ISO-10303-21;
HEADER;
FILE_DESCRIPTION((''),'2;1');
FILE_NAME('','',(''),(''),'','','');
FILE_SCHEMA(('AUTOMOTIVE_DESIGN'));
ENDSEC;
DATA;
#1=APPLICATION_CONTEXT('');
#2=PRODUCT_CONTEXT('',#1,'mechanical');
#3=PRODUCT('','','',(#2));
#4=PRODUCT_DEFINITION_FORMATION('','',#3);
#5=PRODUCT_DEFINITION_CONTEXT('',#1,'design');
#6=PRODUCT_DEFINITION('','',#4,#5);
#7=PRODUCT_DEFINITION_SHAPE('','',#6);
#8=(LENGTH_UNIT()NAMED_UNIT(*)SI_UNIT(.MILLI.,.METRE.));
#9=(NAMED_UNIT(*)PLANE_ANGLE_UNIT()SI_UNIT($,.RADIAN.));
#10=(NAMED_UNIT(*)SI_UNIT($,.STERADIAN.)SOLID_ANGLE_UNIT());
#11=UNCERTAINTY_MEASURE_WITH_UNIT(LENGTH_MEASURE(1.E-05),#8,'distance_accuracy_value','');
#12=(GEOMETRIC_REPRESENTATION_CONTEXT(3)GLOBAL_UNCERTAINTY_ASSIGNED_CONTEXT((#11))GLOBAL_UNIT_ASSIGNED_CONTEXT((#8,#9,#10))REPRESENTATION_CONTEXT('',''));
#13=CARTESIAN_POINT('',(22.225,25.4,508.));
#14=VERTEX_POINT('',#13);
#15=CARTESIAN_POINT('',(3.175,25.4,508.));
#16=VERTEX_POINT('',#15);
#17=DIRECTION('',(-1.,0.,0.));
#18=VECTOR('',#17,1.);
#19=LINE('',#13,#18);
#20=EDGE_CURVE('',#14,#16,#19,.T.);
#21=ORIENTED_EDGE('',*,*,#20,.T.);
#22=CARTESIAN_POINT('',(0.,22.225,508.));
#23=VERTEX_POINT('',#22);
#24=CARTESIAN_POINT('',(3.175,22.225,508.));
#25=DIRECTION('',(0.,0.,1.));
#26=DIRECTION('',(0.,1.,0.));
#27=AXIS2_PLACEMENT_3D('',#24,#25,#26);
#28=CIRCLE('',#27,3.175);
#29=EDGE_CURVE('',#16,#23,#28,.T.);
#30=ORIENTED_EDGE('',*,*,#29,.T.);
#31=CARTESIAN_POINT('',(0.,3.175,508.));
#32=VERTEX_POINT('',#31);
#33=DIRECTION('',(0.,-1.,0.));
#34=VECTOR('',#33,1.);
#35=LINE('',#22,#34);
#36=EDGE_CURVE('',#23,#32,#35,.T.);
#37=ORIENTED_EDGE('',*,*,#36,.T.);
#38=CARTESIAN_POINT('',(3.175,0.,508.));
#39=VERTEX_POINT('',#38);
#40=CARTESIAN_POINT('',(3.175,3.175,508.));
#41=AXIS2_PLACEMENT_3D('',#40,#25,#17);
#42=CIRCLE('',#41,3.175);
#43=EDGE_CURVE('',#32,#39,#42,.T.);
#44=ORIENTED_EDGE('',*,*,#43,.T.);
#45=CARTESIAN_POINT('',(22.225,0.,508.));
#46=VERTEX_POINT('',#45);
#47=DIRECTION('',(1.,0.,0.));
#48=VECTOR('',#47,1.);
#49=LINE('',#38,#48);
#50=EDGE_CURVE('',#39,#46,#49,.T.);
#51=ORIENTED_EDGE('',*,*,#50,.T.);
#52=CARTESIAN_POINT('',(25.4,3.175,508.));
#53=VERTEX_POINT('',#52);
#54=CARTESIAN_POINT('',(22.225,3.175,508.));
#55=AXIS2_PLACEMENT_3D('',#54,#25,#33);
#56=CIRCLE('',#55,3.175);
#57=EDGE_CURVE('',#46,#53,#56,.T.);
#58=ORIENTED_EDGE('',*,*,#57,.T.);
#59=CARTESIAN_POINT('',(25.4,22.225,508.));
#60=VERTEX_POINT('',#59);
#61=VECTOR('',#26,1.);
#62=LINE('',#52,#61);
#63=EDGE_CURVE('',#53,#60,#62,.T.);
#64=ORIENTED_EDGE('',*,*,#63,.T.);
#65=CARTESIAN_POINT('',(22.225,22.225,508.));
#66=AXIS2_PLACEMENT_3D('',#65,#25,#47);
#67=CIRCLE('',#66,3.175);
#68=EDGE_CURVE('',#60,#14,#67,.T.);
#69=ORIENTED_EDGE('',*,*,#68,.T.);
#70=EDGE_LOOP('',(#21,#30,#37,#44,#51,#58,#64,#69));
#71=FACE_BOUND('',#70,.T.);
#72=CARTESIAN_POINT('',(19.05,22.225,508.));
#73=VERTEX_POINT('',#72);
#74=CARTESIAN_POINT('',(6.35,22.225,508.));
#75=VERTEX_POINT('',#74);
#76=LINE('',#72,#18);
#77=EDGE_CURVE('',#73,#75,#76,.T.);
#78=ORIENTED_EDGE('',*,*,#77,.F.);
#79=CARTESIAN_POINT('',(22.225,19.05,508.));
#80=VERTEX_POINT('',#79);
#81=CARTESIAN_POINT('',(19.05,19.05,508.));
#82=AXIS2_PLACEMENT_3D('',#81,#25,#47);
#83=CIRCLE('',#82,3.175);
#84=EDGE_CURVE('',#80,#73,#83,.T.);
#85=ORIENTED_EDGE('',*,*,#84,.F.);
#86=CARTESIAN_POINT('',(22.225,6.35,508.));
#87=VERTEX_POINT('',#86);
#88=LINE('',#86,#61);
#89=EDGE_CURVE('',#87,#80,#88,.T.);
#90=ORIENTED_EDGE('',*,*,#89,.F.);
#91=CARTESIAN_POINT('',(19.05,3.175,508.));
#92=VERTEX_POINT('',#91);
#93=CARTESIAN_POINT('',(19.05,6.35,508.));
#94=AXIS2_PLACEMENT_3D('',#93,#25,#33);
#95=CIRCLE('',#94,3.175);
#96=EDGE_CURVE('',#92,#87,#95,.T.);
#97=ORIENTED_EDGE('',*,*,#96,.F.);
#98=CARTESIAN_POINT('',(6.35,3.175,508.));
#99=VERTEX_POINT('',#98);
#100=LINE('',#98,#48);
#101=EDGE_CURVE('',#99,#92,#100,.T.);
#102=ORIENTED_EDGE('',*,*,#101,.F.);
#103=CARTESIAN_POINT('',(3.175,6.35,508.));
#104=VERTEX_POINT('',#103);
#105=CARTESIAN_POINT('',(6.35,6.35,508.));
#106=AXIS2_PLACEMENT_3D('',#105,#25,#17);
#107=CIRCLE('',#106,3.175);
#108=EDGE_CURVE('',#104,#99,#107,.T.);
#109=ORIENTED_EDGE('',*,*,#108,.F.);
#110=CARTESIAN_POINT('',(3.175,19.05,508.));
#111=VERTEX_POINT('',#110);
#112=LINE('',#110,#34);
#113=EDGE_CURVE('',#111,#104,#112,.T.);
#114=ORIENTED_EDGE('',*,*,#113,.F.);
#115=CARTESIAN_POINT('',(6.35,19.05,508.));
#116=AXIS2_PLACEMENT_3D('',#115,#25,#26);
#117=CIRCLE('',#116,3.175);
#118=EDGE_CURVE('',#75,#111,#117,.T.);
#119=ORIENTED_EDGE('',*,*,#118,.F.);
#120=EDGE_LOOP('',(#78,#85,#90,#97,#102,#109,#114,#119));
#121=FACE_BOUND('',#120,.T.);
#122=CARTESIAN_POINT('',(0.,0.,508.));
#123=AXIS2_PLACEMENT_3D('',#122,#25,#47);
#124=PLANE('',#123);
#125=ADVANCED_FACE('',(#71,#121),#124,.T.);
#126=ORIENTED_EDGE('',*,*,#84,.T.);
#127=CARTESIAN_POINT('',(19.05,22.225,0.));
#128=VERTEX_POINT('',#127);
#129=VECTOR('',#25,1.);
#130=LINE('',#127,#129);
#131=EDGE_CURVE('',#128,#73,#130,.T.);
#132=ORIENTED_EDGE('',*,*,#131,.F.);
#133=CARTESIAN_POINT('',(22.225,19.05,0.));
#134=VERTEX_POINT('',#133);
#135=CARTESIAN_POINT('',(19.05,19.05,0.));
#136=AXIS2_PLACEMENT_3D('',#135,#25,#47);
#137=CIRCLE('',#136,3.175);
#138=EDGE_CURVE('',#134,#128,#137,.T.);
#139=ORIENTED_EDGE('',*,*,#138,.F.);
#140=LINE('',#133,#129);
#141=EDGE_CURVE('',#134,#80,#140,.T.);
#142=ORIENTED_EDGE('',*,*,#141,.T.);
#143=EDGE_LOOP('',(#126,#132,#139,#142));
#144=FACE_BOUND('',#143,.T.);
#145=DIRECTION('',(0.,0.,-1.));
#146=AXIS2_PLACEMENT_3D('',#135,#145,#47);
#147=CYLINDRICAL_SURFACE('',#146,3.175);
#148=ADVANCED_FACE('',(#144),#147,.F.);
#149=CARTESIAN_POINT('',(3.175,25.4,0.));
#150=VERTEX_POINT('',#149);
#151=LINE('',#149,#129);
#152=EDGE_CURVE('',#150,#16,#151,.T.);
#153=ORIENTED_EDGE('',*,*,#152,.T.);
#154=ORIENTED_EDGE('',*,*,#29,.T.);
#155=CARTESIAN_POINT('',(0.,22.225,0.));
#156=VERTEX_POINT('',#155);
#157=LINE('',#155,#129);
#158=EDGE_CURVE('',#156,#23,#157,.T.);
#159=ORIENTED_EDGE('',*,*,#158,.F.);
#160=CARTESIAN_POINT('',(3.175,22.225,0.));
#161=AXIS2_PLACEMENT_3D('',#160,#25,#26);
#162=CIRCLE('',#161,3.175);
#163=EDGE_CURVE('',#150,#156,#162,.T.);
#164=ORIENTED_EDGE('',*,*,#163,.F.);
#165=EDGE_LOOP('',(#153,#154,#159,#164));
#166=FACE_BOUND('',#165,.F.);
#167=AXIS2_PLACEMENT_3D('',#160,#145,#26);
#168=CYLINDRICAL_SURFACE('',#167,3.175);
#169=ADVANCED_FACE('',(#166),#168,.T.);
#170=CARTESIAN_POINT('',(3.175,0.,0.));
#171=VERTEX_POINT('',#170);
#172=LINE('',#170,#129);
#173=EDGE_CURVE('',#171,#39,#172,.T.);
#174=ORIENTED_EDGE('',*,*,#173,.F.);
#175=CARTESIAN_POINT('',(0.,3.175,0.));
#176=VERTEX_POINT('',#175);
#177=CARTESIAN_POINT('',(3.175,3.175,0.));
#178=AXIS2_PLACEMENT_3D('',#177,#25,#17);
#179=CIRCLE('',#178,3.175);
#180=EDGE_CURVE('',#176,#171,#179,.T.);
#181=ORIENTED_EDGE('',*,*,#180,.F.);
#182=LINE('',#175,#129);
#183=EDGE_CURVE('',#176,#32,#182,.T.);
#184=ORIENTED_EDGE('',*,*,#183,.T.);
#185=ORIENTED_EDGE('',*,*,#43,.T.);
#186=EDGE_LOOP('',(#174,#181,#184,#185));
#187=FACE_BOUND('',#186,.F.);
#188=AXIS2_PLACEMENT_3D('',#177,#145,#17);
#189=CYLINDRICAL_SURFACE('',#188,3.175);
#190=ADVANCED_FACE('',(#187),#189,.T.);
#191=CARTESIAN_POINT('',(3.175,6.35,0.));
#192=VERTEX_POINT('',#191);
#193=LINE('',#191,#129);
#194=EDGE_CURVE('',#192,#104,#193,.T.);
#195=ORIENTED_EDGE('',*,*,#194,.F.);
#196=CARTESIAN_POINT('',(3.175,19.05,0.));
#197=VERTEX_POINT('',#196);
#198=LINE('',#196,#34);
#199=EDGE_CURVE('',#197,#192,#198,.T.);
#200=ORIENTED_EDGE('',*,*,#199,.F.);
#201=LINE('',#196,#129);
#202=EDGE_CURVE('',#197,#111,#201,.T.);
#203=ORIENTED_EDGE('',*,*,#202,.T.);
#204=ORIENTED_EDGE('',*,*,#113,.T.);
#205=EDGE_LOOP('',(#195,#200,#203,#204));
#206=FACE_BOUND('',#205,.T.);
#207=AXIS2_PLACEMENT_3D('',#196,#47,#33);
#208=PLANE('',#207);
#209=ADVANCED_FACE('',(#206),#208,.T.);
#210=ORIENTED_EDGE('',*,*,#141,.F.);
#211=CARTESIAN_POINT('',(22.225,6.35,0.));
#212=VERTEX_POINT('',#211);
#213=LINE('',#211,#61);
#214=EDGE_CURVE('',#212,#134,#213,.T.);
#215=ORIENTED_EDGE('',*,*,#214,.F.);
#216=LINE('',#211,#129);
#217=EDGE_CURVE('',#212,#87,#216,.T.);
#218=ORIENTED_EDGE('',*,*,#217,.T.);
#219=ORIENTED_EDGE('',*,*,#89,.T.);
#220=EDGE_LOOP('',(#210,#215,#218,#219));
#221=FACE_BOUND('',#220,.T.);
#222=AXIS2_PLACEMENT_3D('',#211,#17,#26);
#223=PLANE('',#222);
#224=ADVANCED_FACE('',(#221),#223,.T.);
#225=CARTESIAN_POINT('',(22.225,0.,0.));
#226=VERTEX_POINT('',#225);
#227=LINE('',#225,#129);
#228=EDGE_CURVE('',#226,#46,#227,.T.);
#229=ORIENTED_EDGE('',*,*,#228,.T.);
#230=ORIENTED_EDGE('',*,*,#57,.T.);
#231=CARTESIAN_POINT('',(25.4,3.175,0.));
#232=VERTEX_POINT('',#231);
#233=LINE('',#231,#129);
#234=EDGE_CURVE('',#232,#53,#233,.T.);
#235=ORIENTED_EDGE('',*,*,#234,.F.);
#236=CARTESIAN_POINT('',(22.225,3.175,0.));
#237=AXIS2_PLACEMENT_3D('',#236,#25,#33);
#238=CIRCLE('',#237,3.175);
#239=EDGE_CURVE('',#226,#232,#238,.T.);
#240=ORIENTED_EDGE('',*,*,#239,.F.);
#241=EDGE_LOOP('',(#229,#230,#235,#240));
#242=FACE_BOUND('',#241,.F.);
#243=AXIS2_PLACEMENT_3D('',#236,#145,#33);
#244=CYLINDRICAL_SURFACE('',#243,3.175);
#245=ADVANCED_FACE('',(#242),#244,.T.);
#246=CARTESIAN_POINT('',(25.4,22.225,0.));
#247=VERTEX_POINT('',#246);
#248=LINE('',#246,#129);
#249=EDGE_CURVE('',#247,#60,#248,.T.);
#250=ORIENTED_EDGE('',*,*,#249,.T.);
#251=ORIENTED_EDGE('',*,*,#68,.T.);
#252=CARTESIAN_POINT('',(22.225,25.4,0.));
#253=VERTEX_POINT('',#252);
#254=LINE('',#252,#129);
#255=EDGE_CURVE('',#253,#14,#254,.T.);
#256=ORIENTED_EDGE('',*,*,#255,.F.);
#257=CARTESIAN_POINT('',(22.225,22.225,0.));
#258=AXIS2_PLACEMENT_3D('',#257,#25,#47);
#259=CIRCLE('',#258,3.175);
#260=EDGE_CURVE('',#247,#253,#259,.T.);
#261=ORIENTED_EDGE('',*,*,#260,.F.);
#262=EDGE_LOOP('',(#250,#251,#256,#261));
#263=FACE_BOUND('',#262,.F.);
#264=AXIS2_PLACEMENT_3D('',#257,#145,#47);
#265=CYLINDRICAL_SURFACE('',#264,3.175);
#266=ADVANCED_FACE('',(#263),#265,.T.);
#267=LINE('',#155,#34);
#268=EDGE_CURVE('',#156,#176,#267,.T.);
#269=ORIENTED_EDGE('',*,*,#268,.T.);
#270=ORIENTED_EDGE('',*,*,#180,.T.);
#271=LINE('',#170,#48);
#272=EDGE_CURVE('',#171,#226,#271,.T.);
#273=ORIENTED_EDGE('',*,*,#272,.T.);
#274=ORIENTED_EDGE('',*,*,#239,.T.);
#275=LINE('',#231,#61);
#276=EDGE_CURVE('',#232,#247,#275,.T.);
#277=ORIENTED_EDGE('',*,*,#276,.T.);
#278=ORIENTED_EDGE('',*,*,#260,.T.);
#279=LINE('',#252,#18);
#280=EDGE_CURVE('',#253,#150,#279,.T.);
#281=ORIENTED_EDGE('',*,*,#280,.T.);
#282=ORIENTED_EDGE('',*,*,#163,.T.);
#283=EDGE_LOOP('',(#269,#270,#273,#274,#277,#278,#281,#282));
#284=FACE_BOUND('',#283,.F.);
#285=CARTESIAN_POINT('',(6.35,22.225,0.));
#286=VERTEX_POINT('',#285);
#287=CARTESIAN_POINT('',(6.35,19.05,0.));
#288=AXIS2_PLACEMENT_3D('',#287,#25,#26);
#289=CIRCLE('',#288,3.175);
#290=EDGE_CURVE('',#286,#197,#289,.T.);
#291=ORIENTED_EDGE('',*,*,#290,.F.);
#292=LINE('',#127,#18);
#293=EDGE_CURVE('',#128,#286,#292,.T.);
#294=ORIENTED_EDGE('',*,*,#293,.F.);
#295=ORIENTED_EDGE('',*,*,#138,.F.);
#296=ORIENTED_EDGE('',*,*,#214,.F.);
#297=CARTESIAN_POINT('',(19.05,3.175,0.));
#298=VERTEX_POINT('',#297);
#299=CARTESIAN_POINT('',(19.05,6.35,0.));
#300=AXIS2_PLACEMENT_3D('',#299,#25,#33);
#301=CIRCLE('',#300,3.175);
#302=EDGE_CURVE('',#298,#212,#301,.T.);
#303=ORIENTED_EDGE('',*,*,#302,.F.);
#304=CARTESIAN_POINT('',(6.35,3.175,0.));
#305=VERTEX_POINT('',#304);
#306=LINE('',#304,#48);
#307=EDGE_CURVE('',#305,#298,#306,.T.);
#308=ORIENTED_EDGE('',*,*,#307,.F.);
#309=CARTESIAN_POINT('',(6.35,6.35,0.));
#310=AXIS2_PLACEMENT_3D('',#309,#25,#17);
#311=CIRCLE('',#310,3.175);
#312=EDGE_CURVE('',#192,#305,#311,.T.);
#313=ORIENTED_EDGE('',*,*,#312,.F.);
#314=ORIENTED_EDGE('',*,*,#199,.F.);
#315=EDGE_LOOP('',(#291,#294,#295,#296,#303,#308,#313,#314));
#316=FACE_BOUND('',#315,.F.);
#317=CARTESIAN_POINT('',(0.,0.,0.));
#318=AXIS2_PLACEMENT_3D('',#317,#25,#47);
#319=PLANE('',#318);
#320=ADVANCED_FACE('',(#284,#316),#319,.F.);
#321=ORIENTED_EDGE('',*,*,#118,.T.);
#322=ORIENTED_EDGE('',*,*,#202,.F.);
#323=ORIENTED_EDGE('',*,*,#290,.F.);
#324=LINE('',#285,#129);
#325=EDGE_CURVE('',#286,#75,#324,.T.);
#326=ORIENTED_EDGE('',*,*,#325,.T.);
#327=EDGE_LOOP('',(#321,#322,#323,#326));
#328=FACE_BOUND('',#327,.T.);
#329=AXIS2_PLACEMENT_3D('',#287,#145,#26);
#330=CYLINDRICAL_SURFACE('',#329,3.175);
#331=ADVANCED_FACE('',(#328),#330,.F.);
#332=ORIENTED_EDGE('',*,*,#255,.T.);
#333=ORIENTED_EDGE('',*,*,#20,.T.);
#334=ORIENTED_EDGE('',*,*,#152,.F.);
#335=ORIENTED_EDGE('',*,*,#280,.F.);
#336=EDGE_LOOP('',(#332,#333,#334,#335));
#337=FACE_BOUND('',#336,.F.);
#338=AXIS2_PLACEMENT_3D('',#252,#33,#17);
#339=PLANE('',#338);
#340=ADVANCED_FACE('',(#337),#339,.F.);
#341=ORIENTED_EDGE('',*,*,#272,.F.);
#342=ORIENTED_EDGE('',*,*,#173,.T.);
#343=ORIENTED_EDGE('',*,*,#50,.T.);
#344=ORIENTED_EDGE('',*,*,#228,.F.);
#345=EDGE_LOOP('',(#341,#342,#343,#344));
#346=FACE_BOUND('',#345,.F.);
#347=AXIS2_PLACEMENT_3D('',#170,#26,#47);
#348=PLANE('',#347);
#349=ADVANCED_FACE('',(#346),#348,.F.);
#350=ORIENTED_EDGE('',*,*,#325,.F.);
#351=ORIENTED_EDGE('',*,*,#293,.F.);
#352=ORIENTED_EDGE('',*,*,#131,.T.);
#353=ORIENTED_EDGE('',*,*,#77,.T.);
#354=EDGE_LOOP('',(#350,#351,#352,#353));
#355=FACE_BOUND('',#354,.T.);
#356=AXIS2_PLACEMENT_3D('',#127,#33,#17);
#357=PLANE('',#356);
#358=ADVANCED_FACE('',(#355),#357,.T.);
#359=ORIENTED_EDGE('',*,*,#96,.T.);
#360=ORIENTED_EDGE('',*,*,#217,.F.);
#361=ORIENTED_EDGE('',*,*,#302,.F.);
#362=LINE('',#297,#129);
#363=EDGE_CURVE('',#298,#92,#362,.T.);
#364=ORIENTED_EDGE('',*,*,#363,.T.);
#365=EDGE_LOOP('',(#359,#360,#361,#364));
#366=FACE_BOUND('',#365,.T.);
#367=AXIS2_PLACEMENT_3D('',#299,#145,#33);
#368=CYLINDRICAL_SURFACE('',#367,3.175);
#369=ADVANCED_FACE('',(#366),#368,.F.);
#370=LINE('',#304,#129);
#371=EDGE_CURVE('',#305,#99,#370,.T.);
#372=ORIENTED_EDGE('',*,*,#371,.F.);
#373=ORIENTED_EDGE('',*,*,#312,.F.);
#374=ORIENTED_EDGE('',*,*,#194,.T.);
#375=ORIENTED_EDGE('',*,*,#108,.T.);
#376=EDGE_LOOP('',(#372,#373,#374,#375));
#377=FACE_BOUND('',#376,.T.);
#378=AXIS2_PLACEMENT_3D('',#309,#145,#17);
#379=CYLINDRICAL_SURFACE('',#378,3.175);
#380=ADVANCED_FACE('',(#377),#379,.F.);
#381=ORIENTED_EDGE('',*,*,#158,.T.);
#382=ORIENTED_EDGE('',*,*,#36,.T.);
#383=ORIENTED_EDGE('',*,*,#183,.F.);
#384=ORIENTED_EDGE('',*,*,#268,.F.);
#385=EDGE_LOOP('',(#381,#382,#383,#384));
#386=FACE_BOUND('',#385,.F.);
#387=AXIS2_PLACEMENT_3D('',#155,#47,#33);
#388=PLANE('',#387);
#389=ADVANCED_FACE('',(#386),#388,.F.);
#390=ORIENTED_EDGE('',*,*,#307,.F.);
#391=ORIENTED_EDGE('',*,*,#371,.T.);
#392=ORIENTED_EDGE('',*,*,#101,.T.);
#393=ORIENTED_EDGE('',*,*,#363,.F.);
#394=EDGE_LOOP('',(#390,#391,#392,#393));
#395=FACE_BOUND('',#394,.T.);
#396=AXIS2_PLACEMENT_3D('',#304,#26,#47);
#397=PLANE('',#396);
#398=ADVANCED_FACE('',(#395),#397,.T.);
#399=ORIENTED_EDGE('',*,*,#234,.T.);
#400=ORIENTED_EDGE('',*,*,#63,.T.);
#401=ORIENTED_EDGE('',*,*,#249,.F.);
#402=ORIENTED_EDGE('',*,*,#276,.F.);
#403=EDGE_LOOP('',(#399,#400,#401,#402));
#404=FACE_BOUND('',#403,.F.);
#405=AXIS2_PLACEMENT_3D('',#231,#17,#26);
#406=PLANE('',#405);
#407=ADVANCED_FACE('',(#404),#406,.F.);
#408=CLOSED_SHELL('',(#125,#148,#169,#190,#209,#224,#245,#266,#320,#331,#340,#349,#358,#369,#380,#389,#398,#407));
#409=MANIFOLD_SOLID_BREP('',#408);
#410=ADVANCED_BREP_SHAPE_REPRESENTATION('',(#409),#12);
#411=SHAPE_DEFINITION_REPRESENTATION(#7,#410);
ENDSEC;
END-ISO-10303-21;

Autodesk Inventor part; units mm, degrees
ref_plane "YZ Plane" through (0, 0, 0) normal (1, 0, 0) x (0, 1, 0)
ref_plane "XZ Plane" through (0, 0, 0) normal (0, 1, 0) x (-1, 0, 0)
ref_plane "XY Plane" through (0, 0, 0) normal (0, 0, 1) x (1, 0, 0)
sketch "Sketch1" plane through (0, 0, 0) normal (0, 0, 1) x (1, 0, 0)
  line L0 (3.175, 0) -> (22.225, 0)
  line L1 (25.4, 3.175) -> (25.4, 22.225)
  line L2 (22.225, 25.4) -> (3.175, 25.4)
  line L3 (0, 22.225) -> (0, 3.175)
  arc A0 (3.175, 25.4) -> (0, 22.225) centre (3.175, 22.225) ccw
  arc A1 (25.4, 22.225) -> (22.225, 25.4) centre (22.225, 22.225) ccw
  arc A2 (22.225, 0) -> (25.4, 3.175) centre (22.225, 3.175) ccw
  arc A3 (0, 3.175) -> (3.175, 0) centre (3.175, 3.175) ccw
  line L4 (6.35, 3.175) -> (19.05, 3.175)
  line L5 (22.225, 6.35) -> (22.225, 19.05)
  line L6 (19.05, 22.225) -> (6.35, 22.225)
  line L7 (3.175, 19.05) -> (3.175, 6.35)
  arc A4 (6.35, 22.225) -> (3.175, 19.05) centre (6.35, 19.05) ccw
  arc A5 (19.05, 3.175) -> (22.225, 6.35) centre (19.05, 6.35) ccw
  arc A6 (22.225, 19.05) -> (19.05, 22.225) centre (19.05, 19.05) ccw
  arc A7 (3.175, 6.35) -> (6.35, 3.175) centre (6.35, 6.35) ccw
  point P0 (0, 0)
  point P1 (25.4, 25.4)
  point P2 (25.4, 0)
  point P3 (0, 25.4)
  dimension "d0" = 25.4
  dimension "d1" = 25.4
  dimension "d2" = 3.175
  dimension "d3" = 3.175
extrude "Extrusion1" add sketch "Sketch1" along normal blind 508
properties part number "InitialHoriz"
